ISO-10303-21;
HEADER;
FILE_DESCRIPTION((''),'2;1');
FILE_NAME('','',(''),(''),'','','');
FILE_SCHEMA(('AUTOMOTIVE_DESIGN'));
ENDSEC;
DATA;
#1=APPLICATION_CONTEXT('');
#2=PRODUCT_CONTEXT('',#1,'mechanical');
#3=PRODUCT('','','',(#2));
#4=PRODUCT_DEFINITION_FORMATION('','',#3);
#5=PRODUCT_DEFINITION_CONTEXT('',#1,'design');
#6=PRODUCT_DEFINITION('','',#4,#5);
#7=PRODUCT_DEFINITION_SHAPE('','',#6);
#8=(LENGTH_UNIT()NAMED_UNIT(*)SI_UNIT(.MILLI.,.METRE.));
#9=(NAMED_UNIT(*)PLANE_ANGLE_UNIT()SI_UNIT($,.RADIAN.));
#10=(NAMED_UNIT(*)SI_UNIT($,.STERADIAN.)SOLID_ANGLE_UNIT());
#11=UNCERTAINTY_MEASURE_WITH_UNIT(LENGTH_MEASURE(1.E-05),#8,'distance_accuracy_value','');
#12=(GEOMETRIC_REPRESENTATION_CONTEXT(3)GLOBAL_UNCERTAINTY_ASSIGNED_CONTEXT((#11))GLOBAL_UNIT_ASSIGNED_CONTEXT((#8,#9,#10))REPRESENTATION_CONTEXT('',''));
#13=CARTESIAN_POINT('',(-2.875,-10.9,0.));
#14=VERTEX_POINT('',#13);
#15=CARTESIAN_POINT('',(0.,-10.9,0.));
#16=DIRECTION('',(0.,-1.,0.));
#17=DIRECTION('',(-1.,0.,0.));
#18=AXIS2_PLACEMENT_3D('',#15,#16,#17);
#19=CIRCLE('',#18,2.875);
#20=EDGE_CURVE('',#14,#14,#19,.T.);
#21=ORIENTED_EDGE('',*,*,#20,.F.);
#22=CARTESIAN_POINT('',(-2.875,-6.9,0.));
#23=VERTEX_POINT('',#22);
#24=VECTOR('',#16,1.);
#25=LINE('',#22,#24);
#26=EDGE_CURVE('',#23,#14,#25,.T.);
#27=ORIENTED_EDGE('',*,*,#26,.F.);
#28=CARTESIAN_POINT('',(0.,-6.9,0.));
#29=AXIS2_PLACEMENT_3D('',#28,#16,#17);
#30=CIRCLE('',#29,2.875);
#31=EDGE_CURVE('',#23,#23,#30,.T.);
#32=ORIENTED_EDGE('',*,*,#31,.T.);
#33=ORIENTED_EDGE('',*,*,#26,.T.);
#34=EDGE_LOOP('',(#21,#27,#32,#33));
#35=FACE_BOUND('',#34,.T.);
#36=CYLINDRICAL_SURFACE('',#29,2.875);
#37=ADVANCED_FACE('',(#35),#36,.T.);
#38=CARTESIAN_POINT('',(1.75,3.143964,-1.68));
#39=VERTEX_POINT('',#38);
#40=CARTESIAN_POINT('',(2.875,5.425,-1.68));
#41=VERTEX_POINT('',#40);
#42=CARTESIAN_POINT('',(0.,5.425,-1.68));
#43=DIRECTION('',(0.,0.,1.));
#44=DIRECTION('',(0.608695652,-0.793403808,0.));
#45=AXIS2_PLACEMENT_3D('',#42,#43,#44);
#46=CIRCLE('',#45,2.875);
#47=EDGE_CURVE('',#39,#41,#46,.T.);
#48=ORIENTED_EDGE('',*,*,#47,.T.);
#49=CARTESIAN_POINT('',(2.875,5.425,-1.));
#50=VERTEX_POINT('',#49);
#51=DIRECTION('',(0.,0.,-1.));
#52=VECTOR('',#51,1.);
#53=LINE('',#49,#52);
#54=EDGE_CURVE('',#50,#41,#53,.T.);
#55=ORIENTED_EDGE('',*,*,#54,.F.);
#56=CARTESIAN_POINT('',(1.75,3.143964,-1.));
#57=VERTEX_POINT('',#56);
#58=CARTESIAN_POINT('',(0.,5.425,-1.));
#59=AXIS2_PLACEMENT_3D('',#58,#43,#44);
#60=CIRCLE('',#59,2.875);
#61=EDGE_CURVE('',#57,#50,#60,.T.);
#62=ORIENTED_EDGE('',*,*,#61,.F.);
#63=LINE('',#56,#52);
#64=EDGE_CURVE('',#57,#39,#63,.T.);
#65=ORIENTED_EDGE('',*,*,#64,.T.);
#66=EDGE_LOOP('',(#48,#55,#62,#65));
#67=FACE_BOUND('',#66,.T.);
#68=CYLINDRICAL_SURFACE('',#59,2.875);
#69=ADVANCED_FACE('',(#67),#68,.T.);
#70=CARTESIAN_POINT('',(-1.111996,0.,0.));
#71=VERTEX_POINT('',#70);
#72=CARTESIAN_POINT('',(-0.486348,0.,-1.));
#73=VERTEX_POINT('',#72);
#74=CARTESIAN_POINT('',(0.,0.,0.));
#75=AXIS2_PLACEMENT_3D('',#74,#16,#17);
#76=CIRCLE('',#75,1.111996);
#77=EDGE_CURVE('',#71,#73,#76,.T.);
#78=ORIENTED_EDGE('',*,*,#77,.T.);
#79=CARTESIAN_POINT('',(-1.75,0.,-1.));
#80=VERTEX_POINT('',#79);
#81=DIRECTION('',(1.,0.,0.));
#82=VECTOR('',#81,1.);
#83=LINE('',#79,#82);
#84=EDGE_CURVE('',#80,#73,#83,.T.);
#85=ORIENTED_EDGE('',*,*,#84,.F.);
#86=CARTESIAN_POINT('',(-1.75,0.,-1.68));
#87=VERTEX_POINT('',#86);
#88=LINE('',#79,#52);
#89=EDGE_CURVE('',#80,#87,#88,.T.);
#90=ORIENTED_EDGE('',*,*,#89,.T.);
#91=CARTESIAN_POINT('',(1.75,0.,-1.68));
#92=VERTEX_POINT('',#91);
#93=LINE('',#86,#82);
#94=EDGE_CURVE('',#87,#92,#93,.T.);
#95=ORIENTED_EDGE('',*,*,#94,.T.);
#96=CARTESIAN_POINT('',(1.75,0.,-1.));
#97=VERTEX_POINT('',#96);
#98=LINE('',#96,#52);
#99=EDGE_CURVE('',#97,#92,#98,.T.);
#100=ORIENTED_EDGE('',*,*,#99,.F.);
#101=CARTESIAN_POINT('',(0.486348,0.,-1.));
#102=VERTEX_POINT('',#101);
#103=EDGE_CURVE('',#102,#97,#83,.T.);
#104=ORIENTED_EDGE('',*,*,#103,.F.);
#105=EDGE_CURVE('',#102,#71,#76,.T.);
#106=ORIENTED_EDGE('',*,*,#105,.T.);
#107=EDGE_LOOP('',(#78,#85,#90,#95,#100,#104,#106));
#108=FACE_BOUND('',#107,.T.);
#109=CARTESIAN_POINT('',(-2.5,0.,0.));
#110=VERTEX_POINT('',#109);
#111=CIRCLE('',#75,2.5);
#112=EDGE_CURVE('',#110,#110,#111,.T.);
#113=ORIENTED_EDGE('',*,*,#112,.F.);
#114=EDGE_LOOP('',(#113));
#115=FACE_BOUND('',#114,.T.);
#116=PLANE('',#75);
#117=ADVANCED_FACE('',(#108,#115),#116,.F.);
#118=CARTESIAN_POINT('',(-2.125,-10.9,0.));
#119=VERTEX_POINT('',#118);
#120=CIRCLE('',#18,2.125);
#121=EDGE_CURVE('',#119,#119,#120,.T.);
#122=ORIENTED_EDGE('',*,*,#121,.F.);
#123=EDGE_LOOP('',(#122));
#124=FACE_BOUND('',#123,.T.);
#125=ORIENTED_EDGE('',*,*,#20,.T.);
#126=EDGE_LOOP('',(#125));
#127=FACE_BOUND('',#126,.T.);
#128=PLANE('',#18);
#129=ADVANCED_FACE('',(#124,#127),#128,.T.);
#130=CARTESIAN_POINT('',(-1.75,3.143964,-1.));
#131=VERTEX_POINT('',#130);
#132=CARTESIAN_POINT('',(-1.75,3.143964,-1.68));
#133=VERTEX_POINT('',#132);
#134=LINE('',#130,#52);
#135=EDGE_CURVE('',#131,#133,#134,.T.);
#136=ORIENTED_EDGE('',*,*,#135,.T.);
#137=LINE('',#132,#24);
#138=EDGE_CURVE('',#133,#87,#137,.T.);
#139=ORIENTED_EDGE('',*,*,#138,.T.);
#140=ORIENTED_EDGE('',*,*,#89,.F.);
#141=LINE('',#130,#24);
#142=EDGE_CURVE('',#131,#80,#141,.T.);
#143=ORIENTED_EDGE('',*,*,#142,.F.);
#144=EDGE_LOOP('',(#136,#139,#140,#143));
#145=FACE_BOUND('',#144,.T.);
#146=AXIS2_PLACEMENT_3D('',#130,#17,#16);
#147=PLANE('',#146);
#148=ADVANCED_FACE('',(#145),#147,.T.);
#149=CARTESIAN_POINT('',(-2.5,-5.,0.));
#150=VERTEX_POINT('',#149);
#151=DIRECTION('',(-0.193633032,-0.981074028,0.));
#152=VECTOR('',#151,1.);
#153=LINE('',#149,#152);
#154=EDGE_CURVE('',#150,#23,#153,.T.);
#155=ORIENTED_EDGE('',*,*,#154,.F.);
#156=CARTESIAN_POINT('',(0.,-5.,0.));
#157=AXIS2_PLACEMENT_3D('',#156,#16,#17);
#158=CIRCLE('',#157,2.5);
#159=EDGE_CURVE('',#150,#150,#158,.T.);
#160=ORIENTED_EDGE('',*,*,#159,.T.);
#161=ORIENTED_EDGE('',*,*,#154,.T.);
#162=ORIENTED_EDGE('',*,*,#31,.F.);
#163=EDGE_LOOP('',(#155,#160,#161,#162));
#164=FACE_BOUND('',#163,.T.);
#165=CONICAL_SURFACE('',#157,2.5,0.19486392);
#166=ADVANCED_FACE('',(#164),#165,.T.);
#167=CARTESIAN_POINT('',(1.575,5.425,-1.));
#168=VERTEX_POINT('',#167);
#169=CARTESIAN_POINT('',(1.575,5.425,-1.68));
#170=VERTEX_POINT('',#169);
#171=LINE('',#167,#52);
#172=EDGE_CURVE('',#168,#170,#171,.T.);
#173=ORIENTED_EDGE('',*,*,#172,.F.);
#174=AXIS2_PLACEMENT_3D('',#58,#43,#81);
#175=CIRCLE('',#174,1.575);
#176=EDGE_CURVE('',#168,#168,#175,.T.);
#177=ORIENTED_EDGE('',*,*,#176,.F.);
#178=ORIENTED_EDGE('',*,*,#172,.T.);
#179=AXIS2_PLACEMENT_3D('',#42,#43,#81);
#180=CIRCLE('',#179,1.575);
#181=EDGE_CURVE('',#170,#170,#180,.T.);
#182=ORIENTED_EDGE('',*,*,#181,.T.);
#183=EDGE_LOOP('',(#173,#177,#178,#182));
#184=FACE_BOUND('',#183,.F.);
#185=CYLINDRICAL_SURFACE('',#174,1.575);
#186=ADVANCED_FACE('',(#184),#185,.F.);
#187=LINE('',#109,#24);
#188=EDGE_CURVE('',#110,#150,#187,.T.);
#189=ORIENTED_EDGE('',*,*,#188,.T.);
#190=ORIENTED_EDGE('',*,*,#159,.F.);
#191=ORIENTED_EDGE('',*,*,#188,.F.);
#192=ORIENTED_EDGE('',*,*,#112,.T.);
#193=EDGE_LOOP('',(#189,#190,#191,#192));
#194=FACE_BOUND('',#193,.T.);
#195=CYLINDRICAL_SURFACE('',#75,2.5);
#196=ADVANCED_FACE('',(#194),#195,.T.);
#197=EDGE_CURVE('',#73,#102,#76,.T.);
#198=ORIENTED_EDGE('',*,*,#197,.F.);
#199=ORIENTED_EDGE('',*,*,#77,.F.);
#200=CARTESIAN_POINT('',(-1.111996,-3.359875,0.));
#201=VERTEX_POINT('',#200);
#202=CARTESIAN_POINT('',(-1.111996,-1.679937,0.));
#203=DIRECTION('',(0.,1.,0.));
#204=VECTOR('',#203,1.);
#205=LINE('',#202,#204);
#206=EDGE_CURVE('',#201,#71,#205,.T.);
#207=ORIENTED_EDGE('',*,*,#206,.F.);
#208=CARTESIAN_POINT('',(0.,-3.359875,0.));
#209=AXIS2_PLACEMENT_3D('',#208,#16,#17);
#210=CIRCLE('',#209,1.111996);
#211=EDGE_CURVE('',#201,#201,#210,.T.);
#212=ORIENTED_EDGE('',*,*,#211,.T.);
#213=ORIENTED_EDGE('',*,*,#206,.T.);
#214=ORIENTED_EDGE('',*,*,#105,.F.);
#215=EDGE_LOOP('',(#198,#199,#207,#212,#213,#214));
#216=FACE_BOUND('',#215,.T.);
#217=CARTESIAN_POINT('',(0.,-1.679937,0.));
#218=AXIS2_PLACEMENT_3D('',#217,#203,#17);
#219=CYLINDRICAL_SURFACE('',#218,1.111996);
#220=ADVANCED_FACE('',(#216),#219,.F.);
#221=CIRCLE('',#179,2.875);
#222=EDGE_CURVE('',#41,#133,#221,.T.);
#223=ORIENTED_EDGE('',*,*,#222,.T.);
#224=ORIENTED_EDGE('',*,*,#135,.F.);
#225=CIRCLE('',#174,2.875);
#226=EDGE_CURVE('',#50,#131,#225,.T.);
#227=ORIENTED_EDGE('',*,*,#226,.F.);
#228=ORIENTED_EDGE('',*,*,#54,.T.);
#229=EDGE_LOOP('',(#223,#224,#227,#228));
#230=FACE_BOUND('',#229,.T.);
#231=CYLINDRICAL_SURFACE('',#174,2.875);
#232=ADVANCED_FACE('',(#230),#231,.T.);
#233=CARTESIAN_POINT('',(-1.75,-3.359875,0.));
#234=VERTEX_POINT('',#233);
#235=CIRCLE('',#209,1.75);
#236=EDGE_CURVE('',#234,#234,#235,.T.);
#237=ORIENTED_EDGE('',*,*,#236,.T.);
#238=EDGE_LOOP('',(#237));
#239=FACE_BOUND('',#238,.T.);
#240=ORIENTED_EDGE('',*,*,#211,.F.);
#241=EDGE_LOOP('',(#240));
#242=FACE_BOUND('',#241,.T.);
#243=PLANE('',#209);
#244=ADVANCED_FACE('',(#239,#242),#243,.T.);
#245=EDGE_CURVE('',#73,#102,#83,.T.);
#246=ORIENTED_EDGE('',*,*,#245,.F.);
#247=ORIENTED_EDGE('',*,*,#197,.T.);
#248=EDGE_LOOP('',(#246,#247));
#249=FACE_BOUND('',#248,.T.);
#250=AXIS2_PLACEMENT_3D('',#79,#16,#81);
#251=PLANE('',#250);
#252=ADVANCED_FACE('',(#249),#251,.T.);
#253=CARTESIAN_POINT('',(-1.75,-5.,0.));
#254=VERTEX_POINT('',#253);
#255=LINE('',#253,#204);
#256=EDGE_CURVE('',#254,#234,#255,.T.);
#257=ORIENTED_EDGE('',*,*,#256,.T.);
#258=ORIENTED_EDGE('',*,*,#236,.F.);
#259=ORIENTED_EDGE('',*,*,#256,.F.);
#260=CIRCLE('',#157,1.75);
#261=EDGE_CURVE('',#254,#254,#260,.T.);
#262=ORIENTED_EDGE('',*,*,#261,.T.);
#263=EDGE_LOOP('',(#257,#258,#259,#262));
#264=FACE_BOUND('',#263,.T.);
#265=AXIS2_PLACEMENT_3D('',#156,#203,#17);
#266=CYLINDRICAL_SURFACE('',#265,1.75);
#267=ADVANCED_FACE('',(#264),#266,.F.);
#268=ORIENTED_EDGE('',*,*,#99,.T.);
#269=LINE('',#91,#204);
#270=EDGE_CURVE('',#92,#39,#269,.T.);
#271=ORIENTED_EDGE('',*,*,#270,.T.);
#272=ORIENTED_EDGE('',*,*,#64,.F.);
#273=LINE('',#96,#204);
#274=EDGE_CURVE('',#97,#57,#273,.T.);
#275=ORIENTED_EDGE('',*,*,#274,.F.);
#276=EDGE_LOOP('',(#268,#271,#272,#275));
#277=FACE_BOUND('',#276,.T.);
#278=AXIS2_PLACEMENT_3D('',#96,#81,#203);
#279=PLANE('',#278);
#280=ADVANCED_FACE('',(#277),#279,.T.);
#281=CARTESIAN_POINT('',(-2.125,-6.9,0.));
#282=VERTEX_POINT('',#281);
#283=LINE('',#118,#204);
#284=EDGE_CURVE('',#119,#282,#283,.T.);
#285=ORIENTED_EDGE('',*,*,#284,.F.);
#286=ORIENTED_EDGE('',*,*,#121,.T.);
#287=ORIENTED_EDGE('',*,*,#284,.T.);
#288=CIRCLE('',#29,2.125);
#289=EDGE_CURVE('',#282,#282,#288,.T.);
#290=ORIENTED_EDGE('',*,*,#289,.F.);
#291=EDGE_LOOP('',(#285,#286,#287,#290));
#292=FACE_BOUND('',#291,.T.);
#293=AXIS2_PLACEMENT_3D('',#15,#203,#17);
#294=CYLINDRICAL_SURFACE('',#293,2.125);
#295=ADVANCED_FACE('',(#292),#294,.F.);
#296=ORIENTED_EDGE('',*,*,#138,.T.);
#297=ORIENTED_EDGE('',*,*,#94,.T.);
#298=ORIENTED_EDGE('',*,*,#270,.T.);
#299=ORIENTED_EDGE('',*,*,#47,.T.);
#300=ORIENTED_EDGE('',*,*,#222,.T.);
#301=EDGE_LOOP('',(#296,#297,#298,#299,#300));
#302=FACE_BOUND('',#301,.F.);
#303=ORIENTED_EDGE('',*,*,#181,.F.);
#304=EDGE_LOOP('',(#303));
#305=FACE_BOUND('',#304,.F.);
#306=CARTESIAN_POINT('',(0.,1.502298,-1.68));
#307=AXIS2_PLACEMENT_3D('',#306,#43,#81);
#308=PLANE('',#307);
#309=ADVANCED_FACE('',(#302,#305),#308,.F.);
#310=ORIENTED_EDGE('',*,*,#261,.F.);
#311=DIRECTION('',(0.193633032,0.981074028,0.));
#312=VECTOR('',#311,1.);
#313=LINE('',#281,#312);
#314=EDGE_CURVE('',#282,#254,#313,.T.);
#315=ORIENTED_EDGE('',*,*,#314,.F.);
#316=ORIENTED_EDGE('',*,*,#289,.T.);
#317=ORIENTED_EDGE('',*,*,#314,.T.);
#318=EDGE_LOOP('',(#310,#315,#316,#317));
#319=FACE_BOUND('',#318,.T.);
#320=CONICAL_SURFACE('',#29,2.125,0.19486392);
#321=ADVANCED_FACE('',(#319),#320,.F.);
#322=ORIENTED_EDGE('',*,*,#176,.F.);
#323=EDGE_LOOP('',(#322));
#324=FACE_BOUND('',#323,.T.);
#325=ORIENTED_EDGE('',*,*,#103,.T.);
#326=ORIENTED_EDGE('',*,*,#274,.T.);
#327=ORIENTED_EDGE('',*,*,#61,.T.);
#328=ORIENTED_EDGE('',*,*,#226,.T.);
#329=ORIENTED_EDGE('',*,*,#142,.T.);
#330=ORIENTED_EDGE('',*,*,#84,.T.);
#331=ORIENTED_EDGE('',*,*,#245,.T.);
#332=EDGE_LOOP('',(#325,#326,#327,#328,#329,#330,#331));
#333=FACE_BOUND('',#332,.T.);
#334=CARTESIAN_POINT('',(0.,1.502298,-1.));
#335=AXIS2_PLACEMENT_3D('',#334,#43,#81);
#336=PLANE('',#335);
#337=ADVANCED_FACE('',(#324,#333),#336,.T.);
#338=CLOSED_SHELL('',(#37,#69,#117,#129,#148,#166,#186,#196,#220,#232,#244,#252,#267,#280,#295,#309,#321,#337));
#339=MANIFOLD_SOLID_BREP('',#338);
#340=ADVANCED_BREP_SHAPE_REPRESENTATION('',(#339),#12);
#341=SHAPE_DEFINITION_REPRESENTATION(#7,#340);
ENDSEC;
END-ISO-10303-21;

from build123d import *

# Parameters (mm, degrees)
F0_W     = 0.6380043384
F0_H     = 3.3598747104
F2_START = -1
F0_R     = 1.575
F2_DEPTH = 0.68


with BuildPart() as f1:
    # F0 (on Top) → F1 (revolve)
    with BuildSketch(Plane.XY):
        with Locations((-1.4309978308, -1.6799373552)):
            Rectangle(F0_W, F0_H)
        Polygon((-1.75, -3.3598747104), (-1.75, 0), (-2.5, 0), (-2.5, -5), (-2.875, -6.9), (-2.875, -10.9), (-2.125, -10.9), (-2.125, -6.9), (-1.75, -5), align=None)
    revolve(axis=Axis((0, 2.7125, 0), (0, -1, 0)))

    # F0 (on Top) → F2 (join)
    with BuildSketch(Plane.XY.offset(F2_START)):
        with BuildLine():
            ThreePointArc((1.75, 3.1439640511), (0, 2.55), (-1.75, 3.1439640511))
            Line((-1.75, 3.1439640511), (-1.75, 0))
            Line((-1.75, 0), (-1.1119956616, 0))
            Line((-1.1119956616, 0), (0, 0))
            Line((0, 0), (1.75, 0))
            Line((1.75, 0), (1.75, 3.1439640511))
        make_face()
        with BuildLine():
            ThreePointArc((1.75, 3.1439640511), (2.5784564181, 4.1533131282), (2.875, 5.425))
            ThreePointArc((2.875, 5.425), (-1.2716868718, 8.0034564181), (-1.75, 3.1439640511))
            ThreePointArc((-1.75, 3.1439640511), (0, 2.55), (1.75, 3.1439640511))
        make_face()
        with Locations((0, 5.425)):
            Circle(F0_R, mode=Mode.SUBTRACT)
    extrude(amount=-F2_DEPTH)


solid = f1.part
